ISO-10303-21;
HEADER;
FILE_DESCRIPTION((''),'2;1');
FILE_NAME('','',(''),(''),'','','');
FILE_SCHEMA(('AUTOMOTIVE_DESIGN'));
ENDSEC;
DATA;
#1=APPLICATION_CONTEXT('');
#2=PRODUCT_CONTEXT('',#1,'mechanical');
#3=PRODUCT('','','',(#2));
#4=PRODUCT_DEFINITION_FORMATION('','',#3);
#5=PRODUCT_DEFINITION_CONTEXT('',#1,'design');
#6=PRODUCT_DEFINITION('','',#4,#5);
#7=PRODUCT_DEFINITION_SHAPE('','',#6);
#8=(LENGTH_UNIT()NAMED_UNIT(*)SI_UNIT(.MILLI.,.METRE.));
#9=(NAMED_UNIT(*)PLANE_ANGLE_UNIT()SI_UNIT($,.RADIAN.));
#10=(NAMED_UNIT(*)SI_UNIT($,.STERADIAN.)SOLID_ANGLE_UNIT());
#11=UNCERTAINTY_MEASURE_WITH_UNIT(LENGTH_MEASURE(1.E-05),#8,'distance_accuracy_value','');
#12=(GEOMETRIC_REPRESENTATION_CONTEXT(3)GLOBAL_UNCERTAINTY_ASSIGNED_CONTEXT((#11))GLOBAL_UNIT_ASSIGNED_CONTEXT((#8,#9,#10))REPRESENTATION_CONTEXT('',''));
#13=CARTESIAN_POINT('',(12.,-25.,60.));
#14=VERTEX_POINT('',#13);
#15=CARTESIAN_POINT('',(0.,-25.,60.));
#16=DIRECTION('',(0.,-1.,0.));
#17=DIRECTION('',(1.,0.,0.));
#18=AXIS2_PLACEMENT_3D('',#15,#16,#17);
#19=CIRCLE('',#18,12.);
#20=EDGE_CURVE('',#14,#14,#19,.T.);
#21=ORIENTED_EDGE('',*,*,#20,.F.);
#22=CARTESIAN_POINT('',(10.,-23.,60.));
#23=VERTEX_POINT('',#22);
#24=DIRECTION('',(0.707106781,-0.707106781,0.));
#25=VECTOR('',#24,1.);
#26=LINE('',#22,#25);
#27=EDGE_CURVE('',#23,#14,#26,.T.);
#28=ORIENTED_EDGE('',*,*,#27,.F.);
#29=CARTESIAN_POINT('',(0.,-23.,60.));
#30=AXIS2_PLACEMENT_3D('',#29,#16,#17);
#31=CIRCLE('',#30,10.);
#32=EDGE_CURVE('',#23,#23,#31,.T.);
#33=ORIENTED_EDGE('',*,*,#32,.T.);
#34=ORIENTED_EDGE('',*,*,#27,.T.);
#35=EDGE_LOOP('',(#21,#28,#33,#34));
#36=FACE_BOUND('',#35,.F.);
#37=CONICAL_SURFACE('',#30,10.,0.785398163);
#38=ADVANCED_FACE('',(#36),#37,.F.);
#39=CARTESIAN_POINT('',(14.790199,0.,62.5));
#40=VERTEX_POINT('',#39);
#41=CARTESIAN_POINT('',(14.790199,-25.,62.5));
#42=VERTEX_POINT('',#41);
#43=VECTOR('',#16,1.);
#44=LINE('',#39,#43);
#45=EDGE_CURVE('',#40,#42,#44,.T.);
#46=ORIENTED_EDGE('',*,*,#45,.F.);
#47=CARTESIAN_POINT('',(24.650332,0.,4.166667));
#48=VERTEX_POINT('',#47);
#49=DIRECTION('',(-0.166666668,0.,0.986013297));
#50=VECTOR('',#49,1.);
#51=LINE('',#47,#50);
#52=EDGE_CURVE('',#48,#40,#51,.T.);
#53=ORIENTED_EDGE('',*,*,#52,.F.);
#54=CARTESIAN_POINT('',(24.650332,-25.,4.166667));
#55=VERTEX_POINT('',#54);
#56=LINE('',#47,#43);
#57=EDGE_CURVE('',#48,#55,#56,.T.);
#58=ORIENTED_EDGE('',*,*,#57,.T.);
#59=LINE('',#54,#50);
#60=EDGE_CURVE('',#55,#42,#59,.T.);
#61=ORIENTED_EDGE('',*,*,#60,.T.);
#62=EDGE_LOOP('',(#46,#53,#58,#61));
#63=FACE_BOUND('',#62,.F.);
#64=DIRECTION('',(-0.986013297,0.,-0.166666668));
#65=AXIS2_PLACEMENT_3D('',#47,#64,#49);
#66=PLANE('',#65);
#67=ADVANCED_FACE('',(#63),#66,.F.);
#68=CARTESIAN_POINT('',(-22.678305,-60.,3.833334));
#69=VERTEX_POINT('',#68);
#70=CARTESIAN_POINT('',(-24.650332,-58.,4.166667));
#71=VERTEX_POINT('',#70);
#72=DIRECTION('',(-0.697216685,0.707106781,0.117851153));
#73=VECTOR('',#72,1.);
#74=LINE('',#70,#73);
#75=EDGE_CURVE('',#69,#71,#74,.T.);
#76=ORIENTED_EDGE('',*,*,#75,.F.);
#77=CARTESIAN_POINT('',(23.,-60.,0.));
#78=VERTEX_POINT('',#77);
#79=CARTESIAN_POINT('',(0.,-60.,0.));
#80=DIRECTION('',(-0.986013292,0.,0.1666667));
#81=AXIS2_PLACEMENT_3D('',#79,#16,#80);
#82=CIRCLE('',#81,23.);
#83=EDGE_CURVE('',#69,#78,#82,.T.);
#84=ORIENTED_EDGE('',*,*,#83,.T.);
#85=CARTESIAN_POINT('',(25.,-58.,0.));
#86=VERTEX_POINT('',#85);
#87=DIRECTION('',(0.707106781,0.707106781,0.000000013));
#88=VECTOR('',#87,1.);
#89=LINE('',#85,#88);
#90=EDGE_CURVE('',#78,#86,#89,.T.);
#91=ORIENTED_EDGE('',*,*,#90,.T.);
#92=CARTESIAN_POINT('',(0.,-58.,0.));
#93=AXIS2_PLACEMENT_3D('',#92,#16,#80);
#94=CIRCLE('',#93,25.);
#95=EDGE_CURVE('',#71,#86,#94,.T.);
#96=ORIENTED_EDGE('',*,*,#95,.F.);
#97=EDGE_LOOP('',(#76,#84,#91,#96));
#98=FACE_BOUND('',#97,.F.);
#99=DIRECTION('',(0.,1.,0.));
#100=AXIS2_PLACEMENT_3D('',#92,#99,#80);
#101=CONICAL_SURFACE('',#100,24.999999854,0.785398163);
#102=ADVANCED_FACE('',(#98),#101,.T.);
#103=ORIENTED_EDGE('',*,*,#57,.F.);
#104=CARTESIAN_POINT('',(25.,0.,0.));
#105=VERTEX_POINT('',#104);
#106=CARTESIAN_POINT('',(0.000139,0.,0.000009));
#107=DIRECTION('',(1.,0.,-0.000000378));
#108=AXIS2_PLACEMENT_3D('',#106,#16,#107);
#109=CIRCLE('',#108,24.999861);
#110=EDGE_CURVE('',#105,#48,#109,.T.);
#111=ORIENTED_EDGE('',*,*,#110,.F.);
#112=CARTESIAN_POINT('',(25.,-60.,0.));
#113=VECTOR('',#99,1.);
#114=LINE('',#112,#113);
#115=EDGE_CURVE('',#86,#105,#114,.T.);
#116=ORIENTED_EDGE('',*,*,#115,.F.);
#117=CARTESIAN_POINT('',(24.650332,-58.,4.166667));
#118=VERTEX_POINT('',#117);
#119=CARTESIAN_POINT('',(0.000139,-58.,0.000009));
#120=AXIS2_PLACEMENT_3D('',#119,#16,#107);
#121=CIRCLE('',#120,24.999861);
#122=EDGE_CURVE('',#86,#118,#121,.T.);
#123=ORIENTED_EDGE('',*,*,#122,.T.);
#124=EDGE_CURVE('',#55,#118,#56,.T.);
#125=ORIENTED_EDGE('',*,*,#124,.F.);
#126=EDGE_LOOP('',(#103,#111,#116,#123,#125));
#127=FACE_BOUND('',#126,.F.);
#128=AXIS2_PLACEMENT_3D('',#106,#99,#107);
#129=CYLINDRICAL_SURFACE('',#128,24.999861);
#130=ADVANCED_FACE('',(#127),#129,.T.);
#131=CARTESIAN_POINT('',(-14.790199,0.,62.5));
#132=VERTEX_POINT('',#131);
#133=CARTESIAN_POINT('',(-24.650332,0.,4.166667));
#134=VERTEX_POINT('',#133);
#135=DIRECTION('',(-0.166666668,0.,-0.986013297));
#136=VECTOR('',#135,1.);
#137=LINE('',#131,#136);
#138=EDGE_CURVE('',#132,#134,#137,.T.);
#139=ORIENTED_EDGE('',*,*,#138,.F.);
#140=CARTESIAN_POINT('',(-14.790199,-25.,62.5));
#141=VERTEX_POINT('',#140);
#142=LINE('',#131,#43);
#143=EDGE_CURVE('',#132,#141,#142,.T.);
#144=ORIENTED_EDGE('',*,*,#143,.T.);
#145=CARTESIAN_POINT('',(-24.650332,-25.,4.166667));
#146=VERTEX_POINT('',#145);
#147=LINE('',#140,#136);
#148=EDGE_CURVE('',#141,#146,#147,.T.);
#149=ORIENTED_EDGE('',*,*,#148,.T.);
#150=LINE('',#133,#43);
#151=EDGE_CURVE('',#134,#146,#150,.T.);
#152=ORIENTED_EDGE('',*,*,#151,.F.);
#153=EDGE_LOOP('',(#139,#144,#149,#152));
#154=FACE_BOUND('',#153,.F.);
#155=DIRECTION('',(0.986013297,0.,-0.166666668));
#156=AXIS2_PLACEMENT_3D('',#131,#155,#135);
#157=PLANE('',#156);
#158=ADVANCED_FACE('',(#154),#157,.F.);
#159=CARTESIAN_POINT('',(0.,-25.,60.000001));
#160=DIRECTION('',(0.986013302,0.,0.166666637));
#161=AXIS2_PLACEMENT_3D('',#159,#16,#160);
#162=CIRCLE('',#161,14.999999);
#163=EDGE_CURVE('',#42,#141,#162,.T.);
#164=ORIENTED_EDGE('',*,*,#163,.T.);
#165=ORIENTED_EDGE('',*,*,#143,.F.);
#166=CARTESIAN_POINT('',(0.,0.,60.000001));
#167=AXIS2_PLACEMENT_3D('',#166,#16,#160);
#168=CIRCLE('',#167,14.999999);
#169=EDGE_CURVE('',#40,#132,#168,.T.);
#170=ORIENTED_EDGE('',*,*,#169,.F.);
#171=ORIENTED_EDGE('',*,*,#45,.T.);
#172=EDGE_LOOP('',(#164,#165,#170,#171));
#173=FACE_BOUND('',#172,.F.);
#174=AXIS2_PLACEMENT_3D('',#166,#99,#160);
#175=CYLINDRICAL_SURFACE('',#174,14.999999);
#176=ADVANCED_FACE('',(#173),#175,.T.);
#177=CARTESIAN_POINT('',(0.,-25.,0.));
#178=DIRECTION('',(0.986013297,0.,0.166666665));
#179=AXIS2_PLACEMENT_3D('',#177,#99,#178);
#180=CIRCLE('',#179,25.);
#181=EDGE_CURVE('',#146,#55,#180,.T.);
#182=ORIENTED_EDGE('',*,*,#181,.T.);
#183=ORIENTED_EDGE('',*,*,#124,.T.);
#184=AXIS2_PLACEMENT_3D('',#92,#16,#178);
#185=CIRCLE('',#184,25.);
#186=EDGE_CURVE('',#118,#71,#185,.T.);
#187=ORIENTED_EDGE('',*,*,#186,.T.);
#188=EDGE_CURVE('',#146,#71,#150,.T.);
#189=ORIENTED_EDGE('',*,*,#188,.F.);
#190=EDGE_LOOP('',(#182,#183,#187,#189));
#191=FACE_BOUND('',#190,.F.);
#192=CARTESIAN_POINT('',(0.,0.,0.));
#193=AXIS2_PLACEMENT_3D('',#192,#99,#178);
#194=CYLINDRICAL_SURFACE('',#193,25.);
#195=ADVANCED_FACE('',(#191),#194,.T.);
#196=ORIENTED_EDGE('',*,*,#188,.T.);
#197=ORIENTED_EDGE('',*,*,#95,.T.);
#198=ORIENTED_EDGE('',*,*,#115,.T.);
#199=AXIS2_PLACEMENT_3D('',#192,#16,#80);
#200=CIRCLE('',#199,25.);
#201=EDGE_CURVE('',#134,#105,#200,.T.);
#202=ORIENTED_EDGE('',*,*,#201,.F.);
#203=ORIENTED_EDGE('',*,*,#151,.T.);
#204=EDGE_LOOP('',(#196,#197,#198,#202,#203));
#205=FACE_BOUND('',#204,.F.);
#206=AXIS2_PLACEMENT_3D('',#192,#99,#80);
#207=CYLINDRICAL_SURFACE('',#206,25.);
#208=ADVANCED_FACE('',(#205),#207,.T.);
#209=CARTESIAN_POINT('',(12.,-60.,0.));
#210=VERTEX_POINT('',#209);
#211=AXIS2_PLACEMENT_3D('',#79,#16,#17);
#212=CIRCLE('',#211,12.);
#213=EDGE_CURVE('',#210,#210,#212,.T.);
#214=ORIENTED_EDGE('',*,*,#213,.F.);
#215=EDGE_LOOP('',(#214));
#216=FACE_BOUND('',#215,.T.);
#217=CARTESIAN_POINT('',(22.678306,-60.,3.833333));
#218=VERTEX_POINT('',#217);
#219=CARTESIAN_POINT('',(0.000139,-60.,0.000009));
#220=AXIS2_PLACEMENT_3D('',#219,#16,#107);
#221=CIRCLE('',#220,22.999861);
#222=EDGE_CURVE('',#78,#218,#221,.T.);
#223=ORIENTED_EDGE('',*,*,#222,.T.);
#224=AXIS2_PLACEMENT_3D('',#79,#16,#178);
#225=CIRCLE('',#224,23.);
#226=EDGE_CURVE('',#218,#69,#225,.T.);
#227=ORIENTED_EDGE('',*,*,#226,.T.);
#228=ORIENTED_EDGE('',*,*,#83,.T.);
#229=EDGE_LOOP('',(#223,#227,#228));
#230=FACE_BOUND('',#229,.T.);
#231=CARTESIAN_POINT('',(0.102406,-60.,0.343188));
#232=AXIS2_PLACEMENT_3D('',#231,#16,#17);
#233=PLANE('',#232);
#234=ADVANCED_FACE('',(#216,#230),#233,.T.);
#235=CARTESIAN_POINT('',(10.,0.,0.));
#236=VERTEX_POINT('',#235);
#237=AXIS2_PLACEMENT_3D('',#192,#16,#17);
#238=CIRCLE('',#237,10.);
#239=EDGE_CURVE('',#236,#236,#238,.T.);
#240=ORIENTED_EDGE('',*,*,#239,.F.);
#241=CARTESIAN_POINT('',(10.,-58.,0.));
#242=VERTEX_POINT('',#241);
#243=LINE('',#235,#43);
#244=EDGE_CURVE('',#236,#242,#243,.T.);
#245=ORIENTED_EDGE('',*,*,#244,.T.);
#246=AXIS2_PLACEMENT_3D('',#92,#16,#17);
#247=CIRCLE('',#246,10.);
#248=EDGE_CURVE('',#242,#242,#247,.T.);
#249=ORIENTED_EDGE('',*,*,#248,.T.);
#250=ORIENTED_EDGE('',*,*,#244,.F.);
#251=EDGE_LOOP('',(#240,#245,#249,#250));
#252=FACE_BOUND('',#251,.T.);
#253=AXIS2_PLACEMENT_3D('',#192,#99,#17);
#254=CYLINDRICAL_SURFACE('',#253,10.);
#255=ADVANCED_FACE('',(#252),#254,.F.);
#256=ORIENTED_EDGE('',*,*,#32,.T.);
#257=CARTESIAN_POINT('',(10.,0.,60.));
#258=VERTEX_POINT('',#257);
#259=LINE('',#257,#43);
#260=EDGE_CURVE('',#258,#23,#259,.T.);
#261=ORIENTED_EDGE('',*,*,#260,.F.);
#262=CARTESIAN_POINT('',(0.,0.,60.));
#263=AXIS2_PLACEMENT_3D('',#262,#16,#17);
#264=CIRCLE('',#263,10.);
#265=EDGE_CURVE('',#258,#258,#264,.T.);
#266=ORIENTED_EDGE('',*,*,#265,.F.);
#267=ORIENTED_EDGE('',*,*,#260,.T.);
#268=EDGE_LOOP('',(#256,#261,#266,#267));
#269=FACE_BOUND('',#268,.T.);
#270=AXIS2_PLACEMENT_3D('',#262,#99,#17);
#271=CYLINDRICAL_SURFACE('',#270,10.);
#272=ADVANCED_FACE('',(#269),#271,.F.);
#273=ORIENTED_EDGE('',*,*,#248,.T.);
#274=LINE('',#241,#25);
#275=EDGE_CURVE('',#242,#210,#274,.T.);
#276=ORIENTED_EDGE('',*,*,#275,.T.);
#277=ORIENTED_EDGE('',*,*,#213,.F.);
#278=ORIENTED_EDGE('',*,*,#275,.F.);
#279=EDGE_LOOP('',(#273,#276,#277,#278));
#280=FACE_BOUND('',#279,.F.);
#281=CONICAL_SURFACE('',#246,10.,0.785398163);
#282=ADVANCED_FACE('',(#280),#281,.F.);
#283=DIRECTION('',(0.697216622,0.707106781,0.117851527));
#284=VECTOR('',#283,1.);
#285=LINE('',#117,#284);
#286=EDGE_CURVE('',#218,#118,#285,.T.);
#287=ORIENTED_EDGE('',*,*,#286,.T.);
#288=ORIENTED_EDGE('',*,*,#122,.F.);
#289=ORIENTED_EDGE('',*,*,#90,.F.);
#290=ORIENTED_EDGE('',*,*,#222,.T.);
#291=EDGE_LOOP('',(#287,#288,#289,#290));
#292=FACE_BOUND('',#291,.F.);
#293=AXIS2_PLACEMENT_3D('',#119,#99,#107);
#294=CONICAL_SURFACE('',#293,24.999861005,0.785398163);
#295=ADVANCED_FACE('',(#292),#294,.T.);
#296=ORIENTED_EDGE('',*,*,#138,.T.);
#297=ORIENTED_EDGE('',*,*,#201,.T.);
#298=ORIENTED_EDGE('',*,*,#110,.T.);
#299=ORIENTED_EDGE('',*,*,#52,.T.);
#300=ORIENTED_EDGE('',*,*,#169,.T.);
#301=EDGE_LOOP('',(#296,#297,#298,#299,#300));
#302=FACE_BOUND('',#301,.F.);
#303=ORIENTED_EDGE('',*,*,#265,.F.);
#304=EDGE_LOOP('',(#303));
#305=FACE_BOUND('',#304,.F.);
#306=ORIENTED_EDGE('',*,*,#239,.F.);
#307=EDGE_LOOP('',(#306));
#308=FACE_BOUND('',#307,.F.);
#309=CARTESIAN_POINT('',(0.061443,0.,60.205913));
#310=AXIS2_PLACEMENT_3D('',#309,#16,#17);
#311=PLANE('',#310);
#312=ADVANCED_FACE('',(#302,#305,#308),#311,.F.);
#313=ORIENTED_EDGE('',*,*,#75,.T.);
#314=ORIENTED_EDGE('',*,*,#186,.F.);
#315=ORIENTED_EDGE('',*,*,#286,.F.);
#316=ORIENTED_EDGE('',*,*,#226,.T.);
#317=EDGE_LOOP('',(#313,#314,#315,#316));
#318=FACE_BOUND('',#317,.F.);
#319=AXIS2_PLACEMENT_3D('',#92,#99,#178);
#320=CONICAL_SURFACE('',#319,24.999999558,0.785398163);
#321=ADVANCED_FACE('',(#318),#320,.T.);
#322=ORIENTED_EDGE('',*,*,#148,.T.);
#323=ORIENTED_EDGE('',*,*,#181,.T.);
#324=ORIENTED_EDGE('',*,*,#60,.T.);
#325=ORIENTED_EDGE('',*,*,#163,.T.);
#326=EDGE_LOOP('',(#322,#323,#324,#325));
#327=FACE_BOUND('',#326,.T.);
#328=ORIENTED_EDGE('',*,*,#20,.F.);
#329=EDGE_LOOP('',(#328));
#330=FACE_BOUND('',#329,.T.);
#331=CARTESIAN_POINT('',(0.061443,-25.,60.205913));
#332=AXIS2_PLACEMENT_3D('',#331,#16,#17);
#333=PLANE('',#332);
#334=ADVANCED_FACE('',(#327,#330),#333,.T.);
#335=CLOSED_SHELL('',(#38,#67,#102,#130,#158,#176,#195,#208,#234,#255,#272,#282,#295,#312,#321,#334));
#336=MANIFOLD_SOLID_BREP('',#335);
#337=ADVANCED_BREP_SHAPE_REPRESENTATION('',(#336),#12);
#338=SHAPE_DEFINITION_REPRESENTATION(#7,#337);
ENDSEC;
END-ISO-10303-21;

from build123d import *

# Parameters (mm, degrees)
F0_R     = 10
F1_DEPTH = 25
F2_DEPTH = 60
F3_SIZE  = 2


with BuildPart() as f1:
    # F0 (on Front) → F1 (new body)
    with BuildSketch(Plane.XZ):
        with BuildLine():
            ThreePointArc((-14.790199, 62.5), (-1.254394, 45.052542), (15, 60))
            ThreePointArc((15, 60), (14.947458, 61.254394), (14.790199, 62.5))
            ThreePointArc((14.790199, 62.5), (0, 75), (-14.790199, 62.5))
        make_face()
        with Locations((0, 60)):
            Circle(F0_R, mode=Mode.SUBTRACT)
        with BuildLine():
            ThreePointArc((14.790199, 62.5), (14.947458, 61.254394), (15, 60))
            ThreePointArc((15, 60), (-1.254394, 45.052542), (-14.790199, 62.5))
            Line((-14.790199, 62.5), (-24.650332, 4.166667))
            ThreePointArc((-24.650332, 4.166667), (0, 25), (24.650332, 4.166667))
            Line((24.650332, 4.166667), (14.790199, 62.5))
        make_face()
        with BuildLine():
            ThreePointArc((25, 0), (24.91243, 2.090657), (24.650332, 4.166667))
            ThreePointArc((24.650332, 4.166667), (0, 25), (-24.650332, 4.166667))
            ThreePointArc((-24.650332, 4.166667), (-2.090657, -24.91243), (25, 0))
        make_face()
        Circle(F0_R, mode=Mode.SUBTRACT)
    extrude(amount=F1_DEPTH)

    # F0 (on Front) → F2 (join)
    with BuildSketch(Plane.XZ):
        with BuildLine():
            ThreePointArc((25, 0), (24.91243, 2.090657), (24.650332, 4.166667))
            ThreePointArc((24.650332, 4.166667), (0, 25), (-24.650332, 4.166667))
            ThreePointArc((-24.650332, 4.166667), (-2.090657, -24.91243), (25, 0))
        make_face()
        Circle(F0_R, mode=Mode.SUBTRACT)
    extrude(amount=F2_DEPTH)

    # F3
    f3_edges = [f1.edges().sort_by_distance(p)[0] for p in [
        (-25, -60, 0),
        (-10, -60, 0),
        (-10, -25, 60),
    ]]
    chamfer(f3_edges, length=F3_SIZE)


solid = f1.part
